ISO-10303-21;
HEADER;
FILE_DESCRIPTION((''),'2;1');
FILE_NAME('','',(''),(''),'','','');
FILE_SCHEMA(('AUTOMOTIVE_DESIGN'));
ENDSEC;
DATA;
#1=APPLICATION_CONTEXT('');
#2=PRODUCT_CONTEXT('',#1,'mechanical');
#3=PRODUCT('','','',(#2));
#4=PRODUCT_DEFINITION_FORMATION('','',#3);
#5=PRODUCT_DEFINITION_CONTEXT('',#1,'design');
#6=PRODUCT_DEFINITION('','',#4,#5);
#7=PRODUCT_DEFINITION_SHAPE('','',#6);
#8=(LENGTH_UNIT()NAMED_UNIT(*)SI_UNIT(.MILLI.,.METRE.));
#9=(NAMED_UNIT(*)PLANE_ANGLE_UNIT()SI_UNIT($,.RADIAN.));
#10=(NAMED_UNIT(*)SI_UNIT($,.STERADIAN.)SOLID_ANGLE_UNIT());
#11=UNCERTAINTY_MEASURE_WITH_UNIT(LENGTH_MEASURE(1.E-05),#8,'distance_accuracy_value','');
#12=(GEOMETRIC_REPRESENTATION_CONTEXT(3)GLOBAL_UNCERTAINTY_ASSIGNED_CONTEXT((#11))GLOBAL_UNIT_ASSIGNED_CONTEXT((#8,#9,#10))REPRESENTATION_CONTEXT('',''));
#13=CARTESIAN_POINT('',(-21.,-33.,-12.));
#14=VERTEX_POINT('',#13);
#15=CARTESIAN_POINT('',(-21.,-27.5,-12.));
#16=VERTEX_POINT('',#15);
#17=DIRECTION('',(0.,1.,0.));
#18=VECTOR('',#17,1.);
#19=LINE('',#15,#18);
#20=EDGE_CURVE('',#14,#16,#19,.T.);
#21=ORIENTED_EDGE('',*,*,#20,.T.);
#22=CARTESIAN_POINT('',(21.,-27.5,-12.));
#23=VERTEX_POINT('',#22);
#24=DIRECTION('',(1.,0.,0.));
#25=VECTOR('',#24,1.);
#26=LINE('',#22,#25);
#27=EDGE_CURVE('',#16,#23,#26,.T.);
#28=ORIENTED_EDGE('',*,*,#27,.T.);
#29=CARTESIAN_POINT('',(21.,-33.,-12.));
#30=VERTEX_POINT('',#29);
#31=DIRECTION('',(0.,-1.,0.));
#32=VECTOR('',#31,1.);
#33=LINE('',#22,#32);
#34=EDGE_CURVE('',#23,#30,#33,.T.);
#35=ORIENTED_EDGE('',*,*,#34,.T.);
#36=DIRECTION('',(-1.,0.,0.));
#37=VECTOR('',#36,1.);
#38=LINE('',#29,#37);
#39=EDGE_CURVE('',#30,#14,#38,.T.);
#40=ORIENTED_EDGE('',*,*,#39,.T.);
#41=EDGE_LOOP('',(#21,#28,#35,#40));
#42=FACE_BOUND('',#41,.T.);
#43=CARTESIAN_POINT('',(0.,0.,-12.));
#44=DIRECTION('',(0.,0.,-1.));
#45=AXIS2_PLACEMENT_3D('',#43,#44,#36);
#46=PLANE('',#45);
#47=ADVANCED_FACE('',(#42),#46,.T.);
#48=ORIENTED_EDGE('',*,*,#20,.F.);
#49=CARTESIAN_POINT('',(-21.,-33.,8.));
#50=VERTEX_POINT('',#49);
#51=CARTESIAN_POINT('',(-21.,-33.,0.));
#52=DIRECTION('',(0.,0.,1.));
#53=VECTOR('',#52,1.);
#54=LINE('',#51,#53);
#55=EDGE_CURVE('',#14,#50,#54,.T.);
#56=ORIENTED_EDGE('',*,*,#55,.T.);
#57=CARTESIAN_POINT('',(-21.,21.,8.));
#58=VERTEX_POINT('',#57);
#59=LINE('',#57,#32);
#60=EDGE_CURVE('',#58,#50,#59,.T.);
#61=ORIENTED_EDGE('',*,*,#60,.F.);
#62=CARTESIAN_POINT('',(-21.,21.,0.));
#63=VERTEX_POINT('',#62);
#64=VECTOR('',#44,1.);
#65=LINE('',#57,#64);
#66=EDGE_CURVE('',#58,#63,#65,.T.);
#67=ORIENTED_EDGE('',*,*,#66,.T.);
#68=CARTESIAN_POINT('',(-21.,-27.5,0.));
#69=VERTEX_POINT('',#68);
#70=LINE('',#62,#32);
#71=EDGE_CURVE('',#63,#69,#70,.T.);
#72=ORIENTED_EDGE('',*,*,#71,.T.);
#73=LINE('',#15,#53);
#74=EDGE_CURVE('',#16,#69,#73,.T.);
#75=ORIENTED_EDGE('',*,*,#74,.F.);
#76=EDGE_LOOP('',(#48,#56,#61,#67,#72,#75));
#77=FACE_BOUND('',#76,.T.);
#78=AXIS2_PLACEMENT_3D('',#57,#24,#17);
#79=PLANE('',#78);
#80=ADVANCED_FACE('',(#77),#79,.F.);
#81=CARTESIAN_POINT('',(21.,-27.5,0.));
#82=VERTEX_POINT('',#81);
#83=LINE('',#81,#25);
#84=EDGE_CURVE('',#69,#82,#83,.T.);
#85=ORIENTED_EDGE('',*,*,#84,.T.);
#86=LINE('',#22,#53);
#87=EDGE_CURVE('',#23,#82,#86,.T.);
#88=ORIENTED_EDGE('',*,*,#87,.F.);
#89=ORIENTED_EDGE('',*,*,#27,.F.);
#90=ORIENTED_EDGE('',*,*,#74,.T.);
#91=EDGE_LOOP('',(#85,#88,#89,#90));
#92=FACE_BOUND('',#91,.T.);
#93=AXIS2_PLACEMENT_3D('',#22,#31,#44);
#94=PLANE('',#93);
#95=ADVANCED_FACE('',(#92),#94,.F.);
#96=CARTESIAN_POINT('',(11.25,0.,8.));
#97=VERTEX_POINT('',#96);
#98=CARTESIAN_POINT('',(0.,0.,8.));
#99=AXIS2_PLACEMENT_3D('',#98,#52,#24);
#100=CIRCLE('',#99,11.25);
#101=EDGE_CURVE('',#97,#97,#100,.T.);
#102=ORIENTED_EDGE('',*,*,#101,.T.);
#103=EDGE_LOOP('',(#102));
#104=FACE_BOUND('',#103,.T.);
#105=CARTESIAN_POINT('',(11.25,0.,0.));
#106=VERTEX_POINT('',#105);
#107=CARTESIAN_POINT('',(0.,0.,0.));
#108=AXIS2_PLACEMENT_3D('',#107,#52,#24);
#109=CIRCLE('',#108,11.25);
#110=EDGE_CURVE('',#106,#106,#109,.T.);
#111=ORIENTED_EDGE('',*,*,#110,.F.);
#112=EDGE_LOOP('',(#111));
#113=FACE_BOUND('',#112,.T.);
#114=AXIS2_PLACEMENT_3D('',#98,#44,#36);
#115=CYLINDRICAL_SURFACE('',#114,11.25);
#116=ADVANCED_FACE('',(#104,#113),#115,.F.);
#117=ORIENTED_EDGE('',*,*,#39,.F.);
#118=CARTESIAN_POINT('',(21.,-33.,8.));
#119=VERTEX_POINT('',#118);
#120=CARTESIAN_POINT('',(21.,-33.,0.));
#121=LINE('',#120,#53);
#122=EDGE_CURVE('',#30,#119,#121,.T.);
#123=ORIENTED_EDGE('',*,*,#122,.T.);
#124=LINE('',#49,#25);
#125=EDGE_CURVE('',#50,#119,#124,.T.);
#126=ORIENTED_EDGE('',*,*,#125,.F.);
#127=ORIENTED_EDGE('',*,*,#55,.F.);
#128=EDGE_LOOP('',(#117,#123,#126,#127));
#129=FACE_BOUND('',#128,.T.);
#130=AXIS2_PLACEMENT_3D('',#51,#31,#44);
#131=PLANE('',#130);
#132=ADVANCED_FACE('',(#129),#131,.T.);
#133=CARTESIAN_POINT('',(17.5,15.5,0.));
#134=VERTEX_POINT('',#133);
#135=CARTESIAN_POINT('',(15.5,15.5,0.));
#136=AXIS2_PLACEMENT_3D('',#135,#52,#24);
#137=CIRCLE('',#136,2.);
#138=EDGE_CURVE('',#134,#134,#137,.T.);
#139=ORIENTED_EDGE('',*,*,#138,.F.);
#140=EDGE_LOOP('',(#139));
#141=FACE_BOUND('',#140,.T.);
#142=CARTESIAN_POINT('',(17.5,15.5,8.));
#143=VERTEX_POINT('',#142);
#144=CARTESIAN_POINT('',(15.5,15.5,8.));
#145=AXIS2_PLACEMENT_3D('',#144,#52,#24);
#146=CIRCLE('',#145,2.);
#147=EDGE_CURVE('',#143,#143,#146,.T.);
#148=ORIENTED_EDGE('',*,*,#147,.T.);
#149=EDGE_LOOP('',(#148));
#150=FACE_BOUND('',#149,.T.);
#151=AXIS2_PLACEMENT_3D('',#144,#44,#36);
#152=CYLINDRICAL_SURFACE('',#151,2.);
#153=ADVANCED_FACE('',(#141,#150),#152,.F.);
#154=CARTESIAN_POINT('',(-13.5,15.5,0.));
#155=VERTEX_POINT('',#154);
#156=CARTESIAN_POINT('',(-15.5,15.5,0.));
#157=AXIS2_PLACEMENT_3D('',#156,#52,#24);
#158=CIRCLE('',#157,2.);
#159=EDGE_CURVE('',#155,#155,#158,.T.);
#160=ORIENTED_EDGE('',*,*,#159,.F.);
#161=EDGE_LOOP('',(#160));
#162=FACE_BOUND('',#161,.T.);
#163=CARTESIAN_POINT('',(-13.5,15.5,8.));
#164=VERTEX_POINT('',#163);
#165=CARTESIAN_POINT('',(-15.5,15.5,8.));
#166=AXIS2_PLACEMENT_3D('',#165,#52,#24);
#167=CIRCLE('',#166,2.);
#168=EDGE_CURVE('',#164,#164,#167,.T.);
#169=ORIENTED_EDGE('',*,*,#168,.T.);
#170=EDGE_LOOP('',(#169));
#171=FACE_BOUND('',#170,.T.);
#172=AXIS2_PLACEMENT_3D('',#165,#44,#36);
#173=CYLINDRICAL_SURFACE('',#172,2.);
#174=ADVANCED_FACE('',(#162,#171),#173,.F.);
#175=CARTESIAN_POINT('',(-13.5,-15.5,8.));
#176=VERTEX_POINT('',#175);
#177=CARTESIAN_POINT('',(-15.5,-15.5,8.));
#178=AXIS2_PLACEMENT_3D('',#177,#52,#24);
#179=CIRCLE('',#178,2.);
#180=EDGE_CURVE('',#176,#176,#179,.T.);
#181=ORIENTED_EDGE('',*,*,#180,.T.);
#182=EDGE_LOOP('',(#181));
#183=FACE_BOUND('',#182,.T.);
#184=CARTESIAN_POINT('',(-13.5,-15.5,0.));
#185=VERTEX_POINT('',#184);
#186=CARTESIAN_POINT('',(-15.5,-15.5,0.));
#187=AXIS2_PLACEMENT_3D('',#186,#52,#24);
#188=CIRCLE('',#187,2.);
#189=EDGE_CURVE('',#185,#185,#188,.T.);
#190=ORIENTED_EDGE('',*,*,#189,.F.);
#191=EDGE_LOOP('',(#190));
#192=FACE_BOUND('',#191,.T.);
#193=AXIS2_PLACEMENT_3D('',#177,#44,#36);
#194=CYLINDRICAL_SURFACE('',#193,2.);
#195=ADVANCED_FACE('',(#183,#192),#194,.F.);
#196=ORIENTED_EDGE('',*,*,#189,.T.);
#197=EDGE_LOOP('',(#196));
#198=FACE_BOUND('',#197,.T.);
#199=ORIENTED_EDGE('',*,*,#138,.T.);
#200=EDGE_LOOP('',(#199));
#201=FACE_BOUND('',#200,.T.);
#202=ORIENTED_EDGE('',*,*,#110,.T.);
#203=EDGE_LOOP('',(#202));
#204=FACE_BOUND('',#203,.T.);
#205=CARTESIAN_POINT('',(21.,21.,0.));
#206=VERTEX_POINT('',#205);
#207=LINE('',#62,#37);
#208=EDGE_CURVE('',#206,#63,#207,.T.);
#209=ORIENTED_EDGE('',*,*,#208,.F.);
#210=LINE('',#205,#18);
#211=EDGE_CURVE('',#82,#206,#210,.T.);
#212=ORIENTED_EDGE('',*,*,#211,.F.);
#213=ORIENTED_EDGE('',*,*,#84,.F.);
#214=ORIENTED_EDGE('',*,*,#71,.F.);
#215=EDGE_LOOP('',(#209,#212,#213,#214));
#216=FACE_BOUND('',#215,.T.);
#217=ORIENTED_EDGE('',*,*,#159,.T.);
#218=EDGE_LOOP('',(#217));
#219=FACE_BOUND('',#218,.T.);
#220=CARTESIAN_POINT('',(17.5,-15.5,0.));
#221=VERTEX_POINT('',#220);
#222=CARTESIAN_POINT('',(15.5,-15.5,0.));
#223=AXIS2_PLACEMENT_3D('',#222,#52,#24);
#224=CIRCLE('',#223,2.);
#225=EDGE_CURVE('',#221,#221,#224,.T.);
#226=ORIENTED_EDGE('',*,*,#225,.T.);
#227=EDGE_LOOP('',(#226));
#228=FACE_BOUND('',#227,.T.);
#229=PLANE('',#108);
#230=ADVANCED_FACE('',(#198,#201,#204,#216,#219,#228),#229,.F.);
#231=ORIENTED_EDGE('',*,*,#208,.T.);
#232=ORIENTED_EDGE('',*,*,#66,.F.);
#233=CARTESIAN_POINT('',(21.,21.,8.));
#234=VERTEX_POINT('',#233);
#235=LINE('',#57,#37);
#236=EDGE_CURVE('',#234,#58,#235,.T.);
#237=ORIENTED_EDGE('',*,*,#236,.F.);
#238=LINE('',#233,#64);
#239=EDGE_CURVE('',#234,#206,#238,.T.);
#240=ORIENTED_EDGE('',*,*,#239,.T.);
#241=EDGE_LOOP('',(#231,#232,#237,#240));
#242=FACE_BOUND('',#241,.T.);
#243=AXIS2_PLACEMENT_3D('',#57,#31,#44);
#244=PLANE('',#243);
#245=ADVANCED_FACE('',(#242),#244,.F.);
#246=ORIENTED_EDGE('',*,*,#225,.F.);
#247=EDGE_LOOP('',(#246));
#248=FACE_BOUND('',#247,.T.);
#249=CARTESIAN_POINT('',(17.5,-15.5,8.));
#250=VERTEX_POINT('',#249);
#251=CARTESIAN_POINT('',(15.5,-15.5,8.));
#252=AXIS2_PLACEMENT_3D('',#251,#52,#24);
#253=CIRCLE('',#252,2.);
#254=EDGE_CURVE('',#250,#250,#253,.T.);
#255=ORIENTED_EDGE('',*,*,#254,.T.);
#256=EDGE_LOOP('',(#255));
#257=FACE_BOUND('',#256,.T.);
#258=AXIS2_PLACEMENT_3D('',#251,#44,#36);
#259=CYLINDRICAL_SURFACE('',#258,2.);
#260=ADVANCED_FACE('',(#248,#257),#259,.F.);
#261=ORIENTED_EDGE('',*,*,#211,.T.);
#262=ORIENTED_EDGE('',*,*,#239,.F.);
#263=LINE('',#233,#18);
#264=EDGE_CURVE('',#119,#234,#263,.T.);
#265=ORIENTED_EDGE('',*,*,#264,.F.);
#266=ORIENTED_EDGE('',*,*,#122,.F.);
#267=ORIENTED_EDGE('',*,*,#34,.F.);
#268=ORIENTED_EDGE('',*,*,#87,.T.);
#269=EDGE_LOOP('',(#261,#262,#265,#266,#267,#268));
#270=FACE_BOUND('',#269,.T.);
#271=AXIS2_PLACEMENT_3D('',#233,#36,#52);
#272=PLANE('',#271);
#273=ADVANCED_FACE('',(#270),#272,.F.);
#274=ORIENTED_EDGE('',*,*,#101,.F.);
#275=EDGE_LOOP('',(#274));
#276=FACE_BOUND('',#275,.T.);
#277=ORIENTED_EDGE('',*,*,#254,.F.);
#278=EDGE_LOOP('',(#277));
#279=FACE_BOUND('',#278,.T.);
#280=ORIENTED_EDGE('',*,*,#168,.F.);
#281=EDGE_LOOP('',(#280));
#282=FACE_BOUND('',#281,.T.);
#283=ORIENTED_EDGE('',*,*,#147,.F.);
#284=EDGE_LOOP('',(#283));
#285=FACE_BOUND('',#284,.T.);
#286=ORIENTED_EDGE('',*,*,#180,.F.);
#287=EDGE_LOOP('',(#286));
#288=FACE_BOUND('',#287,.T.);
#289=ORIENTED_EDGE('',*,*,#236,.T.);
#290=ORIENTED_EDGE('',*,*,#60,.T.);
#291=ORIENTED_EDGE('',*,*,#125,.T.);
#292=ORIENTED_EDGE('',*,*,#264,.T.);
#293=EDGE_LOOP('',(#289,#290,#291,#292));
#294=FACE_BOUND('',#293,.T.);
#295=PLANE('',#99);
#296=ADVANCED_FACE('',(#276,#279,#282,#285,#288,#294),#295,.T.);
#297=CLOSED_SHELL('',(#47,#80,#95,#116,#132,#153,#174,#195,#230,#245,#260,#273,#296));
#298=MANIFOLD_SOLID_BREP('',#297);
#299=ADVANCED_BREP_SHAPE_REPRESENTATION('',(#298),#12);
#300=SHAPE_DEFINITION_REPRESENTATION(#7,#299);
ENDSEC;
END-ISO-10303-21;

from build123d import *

# Parameters (mm, degrees)
ESQUISSE1_W        = 42
ESQUISSE1_H        = 42
ESQUISSE1_R        = 2
ESQUISSE1_R_2      = 11.25
BOSS_EXTRU_1_DEPTH = 8
ESQUISSE2_W        = 42
ESQUISSE2_H        = 12
BOSS_EXTRU_2_DEPTH = 8
ESQUISSE3_W        = 42
ESQUISSE3_H        = 5.5
BOSS_EXTRU_3_DEPTH = 12


with BuildPart() as part:
    # Esquisse1 → Boss.-Extru.1 (new body)
    with BuildSketch(Plane.XY):
        Rectangle(ESQUISSE1_W, ESQUISSE1_H)
        with Locations((-15.5, 15.5)):
            Circle(ESQUISSE1_R, mode=Mode.SUBTRACT)
        with Locations((15.5, 15.5)):
            Circle(ESQUISSE1_R, mode=Mode.SUBTRACT)
        with Locations((15.5, -15.5)):
            Circle(ESQUISSE1_R, mode=Mode.SUBTRACT)
        with Locations((-15.5, -15.5)):
            Circle(ESQUISSE1_R, mode=Mode.SUBTRACT)
        Circle(ESQUISSE1_R_2, mode=Mode.SUBTRACT)
    extrude(amount=BOSS_EXTRU_1_DEPTH)

    # Esquisse2 → Boss.-Extru.2 (add)
    with BuildSketch(Plane.XY.offset(8)):
        with Locations((0, -27)):
            Rectangle(ESQUISSE2_W, ESQUISSE2_H)
    extrude(amount=-BOSS_EXTRU_2_DEPTH)

    # Esquisse3 → Boss.-Extru.3 (add)
    with BuildSketch(Plane(origin=(0, 0, 0), x_dir=(-1, 0, 0), z_dir=(0, 0, -1))):
        with Locations((0, -30.25)):
            Rectangle(ESQUISSE3_W, ESQUISSE3_H)
    extrude(amount=BOSS_EXTRU_3_DEPTH)


solid = part.part
